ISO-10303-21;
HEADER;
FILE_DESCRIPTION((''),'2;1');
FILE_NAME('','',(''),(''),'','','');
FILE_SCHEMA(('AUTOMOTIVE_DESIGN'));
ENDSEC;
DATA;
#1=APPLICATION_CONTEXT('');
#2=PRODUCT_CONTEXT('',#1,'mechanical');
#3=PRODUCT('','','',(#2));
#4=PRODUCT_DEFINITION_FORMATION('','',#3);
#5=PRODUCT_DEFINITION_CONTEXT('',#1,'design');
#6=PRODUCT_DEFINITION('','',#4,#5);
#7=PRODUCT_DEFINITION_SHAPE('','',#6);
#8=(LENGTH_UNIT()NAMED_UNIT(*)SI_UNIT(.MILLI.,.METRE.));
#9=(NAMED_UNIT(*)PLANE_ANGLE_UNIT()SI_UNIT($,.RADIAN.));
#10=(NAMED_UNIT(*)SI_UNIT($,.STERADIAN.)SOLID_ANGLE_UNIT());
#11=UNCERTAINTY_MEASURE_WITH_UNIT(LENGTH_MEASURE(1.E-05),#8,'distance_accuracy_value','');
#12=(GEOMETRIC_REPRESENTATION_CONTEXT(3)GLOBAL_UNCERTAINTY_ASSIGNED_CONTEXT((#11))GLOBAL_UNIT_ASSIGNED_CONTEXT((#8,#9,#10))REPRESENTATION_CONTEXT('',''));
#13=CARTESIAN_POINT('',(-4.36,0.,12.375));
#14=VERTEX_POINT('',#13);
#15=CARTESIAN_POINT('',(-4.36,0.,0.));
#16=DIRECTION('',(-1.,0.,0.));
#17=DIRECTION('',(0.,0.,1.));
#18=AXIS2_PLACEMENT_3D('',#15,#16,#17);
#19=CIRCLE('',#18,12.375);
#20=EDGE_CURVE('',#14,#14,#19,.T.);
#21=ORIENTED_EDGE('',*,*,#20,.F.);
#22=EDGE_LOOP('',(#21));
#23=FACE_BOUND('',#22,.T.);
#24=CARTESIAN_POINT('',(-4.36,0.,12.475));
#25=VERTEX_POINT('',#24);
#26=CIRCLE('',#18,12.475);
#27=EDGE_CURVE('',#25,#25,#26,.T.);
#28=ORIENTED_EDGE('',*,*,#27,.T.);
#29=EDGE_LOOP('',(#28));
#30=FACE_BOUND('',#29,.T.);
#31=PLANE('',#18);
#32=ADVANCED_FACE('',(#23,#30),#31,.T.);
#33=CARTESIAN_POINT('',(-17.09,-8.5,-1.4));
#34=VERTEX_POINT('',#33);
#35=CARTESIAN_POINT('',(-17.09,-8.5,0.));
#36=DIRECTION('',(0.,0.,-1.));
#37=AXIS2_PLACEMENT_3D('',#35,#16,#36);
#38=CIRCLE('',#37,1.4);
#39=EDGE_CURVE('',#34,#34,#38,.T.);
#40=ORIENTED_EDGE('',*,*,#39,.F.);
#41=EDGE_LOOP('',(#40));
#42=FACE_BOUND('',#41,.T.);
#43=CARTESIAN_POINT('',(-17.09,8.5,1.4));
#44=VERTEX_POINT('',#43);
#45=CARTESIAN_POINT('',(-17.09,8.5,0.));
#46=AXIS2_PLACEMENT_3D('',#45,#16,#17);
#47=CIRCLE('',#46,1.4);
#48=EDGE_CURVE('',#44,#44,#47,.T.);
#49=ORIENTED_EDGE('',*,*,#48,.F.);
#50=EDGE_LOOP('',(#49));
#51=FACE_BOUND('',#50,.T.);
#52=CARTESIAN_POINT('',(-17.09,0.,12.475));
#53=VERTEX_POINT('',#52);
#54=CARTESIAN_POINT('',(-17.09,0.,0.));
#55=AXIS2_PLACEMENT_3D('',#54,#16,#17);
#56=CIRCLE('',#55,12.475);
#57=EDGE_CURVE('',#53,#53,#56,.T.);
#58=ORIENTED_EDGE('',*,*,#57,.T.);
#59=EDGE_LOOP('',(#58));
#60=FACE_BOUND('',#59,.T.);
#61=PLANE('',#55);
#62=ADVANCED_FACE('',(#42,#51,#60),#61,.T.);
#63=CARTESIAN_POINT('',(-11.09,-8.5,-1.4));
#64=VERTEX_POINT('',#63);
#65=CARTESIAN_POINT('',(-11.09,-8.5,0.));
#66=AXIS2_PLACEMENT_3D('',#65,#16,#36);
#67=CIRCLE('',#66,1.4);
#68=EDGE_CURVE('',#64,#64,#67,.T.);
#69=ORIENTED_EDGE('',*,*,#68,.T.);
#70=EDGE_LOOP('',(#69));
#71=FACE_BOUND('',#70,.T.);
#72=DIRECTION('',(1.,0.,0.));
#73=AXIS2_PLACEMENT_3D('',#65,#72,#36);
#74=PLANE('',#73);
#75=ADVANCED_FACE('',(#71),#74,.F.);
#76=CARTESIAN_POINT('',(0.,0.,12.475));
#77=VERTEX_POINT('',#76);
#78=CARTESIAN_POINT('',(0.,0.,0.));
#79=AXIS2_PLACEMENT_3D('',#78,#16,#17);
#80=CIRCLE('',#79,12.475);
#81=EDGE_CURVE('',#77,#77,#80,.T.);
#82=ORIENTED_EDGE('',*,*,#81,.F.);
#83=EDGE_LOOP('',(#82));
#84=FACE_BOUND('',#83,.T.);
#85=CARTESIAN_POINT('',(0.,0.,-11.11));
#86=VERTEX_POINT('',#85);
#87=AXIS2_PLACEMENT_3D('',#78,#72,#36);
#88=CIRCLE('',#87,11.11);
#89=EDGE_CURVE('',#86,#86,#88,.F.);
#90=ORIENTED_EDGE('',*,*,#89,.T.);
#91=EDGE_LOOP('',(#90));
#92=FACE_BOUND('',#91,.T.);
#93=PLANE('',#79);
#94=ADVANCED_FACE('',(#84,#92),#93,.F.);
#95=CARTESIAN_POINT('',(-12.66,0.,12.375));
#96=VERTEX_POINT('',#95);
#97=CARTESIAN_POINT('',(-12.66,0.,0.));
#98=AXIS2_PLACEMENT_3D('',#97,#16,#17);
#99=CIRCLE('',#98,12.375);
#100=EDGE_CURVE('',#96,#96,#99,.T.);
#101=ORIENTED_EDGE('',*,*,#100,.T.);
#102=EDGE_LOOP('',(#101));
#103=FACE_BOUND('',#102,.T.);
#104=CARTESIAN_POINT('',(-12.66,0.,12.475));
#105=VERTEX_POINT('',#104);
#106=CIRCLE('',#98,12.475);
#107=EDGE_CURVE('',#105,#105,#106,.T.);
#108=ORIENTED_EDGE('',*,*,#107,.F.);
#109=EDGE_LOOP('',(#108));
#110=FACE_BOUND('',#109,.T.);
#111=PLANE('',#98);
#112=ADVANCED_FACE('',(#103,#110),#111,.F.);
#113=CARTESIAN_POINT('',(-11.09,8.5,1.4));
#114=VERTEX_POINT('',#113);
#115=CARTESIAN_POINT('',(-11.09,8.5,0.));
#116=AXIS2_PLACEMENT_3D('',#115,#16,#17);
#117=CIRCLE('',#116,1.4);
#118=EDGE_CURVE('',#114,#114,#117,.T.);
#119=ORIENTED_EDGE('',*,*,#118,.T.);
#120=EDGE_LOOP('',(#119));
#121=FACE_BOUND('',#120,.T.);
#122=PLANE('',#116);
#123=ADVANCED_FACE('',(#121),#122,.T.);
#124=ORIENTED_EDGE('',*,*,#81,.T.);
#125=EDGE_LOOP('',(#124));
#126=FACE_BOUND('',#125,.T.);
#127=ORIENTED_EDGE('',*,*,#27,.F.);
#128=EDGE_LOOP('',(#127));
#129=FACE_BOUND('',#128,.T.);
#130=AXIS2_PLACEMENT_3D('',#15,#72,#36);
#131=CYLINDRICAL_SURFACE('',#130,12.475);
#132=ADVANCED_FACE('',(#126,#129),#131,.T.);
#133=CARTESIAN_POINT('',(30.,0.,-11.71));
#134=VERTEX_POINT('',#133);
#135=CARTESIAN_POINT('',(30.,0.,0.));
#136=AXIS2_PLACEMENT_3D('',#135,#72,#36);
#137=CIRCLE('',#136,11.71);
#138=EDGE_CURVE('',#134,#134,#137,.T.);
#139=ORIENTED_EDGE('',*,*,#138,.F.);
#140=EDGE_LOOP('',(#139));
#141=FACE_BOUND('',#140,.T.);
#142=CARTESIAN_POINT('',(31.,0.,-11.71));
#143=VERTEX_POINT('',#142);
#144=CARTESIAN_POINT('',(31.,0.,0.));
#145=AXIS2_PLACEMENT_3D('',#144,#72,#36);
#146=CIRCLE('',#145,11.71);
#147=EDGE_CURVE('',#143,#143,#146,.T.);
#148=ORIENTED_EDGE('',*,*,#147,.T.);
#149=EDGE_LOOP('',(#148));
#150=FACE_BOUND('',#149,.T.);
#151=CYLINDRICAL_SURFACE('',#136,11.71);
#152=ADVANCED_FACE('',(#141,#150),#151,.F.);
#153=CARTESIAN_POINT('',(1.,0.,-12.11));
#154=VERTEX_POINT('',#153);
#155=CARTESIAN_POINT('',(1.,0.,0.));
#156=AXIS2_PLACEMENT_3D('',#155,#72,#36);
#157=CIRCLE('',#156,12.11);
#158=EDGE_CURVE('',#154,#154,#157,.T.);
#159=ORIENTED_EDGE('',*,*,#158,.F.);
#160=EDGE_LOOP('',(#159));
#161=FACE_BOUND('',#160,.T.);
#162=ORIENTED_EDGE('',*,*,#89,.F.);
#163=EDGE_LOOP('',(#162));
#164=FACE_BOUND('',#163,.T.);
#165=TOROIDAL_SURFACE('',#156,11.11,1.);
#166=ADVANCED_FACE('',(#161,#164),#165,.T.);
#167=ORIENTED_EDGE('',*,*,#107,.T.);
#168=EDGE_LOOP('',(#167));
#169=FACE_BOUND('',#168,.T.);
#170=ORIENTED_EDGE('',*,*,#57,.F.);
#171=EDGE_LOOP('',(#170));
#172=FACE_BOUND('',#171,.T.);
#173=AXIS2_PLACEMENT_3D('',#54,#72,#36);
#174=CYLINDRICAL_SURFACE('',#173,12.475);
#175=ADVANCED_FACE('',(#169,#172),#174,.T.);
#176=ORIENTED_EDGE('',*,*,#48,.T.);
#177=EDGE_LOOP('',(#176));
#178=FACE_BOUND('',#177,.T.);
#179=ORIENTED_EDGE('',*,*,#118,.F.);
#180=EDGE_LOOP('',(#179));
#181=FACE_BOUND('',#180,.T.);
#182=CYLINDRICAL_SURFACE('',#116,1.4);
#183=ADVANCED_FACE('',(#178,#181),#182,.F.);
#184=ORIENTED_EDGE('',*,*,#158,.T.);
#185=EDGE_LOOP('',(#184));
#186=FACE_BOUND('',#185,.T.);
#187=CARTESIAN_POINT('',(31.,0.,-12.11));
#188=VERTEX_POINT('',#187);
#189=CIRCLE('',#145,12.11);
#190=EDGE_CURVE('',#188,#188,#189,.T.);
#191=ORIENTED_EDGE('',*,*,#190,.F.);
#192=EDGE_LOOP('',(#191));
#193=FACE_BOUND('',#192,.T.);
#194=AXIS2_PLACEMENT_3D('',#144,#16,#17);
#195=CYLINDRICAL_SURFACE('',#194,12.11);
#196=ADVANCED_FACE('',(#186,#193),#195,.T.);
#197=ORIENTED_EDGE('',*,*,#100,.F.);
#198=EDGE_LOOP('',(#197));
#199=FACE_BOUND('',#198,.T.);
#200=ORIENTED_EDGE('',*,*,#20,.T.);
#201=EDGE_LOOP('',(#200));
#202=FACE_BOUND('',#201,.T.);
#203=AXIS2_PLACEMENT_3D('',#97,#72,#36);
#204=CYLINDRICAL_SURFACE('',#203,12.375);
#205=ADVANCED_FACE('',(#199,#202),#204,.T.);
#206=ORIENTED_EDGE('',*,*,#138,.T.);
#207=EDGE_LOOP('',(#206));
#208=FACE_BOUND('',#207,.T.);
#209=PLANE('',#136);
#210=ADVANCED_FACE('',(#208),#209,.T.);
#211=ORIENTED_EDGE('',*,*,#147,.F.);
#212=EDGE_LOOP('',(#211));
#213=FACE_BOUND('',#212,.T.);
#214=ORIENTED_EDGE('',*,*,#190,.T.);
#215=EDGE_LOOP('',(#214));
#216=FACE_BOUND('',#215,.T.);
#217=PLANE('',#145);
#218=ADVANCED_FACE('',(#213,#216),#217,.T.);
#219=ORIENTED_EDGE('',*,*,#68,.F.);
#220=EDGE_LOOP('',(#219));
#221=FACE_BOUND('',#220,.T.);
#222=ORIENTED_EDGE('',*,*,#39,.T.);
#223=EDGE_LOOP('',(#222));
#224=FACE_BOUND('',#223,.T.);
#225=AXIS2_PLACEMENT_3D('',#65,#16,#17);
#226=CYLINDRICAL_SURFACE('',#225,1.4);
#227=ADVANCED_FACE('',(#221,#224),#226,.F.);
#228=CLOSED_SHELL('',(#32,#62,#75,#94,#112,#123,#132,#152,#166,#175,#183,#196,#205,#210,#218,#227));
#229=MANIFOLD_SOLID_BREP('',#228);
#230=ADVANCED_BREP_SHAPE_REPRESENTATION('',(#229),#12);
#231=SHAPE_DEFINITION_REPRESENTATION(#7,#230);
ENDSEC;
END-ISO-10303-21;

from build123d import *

# Parameters (mm, degrees)
SKETCH1_R           = 12.11
BOSS_EXTRUDE1_DEPTH = 31
FILLET1_R           = 1
SKETCH2_R           = 11.71
CUT_EXTRUDE1_DEPTH  = 1
SKETCH3_R           = 12.475
BOSS_EXTRUDE2_DEPTH = 4.36
SKETCH4_R           = 12.375
BOSS_EXTRUDE3_DEPTH = 8.3
SKETCH5_R           = 12.475
BOSS_EXTRUDE4_DEPTH = 4.43
SKETCH6_R           = 1.4
CUT_EXTRUDE2_DEPTH  = 6


with BuildPart() as part:
    # Sketch1 → Boss-Extrude1 (new body)
    with BuildSketch(Plane(origin=(0, 0, 0), x_dir=(0, 0, -1), z_dir=(1, 0, 0))):
        Circle(SKETCH1_R)
    extrude(amount=BOSS_EXTRUDE1_DEPTH)

    # Fillet1
    fillet1_edges = [part.edges().sort_by_distance(p)[0] for p in [
        (0, 0, 12.11),
    ]]
    fillet(fillet1_edges, radius=FILLET1_R)

    # Sketch2 → Cut-Extrude1 (cut)
    with BuildSketch(Plane(origin=(31, 0, 0), x_dir=(0, 0, -1), z_dir=(1, 0, 0))):
        Circle(SKETCH2_R)
    extrude(amount=-CUT_EXTRUDE1_DEPTH, mode=Mode.SUBTRACT)

    # Sketch3 → Boss-Extrude2 (add)
    with BuildSketch(Plane.ZY):
        Circle(SKETCH3_R)
    extrude(amount=BOSS_EXTRUDE2_DEPTH)

    # Sketch4 → Boss-Extrude3 (add)
    with BuildSketch(Plane.ZY.offset(4.36)):
        Circle(SKETCH4_R)
    extrude(amount=BOSS_EXTRUDE3_DEPTH)

    # Sketch5 → Boss-Extrude4 (add)
    with BuildSketch(Plane.ZY.offset(12.66)):
        Circle(SKETCH5_R)
    extrude(amount=BOSS_EXTRUDE4_DEPTH)

    # Sketch6 → Cut-Extrude2 (cut)
    with BuildSketch(Plane.ZY.offset(17.09)):
        with Locations((0, 8.5)):
            Circle(SKETCH6_R)
        with Locations((0, -8.5)):
            Circle(SKETCH6_R)
    extrude(amount=-CUT_EXTRUDE2_DEPTH, mode=Mode.SUBTRACT)


solid = part.part
